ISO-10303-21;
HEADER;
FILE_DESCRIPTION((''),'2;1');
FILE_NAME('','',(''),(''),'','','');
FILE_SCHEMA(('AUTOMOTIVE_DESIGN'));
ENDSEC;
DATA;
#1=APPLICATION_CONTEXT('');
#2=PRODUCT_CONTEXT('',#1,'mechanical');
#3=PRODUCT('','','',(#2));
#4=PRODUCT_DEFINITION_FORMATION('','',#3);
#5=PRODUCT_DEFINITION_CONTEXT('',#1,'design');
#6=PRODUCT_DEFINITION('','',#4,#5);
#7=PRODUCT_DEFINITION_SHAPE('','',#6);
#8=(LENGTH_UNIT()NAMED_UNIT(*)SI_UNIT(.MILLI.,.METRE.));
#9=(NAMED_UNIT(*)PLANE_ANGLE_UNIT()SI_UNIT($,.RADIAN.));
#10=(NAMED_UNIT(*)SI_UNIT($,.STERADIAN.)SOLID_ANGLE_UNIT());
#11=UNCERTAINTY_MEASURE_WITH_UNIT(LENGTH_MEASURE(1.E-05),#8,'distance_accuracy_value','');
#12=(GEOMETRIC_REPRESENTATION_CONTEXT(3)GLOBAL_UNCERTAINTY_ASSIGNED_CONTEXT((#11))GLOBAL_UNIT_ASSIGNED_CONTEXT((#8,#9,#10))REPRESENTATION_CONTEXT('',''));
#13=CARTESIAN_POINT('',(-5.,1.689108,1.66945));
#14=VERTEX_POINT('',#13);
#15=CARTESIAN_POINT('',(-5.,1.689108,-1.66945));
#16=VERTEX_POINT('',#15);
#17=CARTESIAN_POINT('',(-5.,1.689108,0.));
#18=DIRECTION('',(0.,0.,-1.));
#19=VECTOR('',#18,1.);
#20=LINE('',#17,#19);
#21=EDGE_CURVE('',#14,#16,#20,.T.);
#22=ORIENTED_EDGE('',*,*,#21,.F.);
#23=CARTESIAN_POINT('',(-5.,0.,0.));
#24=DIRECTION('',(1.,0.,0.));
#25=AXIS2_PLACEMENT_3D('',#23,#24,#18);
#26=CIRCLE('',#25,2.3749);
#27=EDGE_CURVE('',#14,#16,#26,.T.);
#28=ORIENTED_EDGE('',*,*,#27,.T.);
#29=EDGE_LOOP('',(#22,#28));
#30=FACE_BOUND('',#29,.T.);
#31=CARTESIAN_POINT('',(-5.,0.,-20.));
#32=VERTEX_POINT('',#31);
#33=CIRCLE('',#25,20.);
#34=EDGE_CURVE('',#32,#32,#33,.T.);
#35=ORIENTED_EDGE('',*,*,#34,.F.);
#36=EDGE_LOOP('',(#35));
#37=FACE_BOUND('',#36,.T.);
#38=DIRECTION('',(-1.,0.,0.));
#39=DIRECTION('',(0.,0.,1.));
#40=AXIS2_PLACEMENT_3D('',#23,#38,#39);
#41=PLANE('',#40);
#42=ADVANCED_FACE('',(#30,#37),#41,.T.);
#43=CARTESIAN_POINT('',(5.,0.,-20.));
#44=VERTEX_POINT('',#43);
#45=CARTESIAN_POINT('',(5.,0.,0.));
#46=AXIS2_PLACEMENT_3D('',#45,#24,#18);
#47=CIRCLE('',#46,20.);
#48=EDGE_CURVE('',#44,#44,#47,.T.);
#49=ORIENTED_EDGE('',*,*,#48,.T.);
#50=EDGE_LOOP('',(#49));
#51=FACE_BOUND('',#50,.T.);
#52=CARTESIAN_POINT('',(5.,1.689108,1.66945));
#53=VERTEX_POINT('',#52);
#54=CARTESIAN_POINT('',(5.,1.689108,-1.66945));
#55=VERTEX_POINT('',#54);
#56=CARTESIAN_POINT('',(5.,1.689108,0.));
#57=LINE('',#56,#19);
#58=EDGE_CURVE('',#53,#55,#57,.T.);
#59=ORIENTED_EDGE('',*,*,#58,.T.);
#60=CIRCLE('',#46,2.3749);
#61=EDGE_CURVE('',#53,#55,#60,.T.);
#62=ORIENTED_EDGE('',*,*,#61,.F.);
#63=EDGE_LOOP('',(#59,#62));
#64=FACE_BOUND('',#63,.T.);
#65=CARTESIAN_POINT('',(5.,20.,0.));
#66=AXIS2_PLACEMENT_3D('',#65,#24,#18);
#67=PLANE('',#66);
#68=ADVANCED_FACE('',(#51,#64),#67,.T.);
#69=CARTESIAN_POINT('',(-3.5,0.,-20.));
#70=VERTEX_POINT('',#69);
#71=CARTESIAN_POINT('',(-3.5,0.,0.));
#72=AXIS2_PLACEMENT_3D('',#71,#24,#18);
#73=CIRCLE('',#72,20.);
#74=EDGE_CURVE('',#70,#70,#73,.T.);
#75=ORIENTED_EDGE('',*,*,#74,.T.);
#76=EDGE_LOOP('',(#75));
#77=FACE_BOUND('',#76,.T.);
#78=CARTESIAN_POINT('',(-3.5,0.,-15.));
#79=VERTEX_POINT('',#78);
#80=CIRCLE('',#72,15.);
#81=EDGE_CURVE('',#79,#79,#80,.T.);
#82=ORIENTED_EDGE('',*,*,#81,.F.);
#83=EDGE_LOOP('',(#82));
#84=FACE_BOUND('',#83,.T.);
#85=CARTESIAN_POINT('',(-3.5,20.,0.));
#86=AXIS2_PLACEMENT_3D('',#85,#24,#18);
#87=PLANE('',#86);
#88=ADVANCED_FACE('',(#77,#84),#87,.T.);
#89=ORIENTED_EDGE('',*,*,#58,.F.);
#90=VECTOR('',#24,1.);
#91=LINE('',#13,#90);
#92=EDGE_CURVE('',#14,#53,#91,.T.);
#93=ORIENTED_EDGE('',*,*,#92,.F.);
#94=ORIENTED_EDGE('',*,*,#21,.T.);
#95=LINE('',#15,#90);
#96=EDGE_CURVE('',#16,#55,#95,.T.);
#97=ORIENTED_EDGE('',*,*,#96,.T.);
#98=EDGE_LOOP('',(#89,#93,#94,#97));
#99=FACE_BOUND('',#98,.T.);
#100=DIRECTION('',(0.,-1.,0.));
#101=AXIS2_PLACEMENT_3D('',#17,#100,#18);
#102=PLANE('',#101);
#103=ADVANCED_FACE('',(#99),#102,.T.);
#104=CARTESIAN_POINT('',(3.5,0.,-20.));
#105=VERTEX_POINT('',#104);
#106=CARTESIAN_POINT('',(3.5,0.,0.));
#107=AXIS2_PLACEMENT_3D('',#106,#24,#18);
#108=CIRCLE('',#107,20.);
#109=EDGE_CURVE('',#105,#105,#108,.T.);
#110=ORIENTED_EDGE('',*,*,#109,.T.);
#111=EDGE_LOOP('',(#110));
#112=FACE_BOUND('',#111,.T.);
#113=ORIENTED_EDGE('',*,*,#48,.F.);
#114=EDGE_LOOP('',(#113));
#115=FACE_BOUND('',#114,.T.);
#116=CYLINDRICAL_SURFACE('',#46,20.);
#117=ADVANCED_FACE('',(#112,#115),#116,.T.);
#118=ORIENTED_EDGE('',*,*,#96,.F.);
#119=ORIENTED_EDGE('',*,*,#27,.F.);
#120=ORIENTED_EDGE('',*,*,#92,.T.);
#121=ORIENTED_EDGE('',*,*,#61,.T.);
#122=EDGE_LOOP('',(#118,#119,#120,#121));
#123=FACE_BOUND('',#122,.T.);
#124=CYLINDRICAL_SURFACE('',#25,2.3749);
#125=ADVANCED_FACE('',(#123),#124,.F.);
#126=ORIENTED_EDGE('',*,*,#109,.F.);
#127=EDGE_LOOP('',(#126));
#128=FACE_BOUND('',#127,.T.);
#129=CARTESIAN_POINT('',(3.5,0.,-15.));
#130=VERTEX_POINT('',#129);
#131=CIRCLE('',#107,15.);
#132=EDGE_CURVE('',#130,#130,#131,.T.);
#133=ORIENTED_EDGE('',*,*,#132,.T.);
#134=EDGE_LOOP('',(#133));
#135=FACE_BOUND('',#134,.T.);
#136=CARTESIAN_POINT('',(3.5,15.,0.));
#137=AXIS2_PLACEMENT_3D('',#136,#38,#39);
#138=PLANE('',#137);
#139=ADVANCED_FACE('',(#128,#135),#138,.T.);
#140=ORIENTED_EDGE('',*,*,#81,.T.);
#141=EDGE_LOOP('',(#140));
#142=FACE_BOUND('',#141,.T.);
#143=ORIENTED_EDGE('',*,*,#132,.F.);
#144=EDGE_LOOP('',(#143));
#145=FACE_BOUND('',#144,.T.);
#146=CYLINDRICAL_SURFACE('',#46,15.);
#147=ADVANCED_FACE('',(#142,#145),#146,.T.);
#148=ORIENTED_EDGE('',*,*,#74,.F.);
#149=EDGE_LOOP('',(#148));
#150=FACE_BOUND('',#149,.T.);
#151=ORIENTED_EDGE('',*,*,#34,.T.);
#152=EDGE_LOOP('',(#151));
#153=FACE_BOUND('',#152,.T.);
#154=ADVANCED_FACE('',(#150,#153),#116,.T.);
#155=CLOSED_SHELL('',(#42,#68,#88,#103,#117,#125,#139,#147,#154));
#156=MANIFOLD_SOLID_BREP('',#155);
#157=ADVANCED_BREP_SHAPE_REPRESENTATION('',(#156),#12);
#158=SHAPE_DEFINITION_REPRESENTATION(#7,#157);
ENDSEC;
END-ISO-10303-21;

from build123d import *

# Parameters (mm, degrees)
CUT_EXTRUDE1_DEPTH = 11


with BuildPart() as part:
    # Sketch1 → Revolve1 (revolve)
    with BuildSketch(Plane.XY):
        Polygon((-5, 0), (-5, 20), (-3.5, 20), (-3.5, 15), (3.5, 15), (3.5, 20), (5, 20), (5, 0), align=None)
    revolve(axis=Axis((5, 0, 0), (-1, 0, 0)))

    # Sketch2 → Cut-Extrude1 (cut, through all)
    with BuildSketch(Plane(origin=(5, 0, 0), x_dir=(0, 0, -1), z_dir=(1, 0, 0))):
        with BuildLine():
            Line((1.66945, 1.689108258), (-1.66945, 1.689108258))
            ThreePointArc((-1.66945, 1.689108258), (-0.915252207, -2.191452351), (2.3749, 0))
            ThreePointArc((2.3749, 0), (2.191452351, 0.915252207), (1.66945, 1.689108258))
        make_face()
    extrude(amount=-CUT_EXTRUDE1_DEPTH, mode=Mode.SUBTRACT)


solid = part.part
